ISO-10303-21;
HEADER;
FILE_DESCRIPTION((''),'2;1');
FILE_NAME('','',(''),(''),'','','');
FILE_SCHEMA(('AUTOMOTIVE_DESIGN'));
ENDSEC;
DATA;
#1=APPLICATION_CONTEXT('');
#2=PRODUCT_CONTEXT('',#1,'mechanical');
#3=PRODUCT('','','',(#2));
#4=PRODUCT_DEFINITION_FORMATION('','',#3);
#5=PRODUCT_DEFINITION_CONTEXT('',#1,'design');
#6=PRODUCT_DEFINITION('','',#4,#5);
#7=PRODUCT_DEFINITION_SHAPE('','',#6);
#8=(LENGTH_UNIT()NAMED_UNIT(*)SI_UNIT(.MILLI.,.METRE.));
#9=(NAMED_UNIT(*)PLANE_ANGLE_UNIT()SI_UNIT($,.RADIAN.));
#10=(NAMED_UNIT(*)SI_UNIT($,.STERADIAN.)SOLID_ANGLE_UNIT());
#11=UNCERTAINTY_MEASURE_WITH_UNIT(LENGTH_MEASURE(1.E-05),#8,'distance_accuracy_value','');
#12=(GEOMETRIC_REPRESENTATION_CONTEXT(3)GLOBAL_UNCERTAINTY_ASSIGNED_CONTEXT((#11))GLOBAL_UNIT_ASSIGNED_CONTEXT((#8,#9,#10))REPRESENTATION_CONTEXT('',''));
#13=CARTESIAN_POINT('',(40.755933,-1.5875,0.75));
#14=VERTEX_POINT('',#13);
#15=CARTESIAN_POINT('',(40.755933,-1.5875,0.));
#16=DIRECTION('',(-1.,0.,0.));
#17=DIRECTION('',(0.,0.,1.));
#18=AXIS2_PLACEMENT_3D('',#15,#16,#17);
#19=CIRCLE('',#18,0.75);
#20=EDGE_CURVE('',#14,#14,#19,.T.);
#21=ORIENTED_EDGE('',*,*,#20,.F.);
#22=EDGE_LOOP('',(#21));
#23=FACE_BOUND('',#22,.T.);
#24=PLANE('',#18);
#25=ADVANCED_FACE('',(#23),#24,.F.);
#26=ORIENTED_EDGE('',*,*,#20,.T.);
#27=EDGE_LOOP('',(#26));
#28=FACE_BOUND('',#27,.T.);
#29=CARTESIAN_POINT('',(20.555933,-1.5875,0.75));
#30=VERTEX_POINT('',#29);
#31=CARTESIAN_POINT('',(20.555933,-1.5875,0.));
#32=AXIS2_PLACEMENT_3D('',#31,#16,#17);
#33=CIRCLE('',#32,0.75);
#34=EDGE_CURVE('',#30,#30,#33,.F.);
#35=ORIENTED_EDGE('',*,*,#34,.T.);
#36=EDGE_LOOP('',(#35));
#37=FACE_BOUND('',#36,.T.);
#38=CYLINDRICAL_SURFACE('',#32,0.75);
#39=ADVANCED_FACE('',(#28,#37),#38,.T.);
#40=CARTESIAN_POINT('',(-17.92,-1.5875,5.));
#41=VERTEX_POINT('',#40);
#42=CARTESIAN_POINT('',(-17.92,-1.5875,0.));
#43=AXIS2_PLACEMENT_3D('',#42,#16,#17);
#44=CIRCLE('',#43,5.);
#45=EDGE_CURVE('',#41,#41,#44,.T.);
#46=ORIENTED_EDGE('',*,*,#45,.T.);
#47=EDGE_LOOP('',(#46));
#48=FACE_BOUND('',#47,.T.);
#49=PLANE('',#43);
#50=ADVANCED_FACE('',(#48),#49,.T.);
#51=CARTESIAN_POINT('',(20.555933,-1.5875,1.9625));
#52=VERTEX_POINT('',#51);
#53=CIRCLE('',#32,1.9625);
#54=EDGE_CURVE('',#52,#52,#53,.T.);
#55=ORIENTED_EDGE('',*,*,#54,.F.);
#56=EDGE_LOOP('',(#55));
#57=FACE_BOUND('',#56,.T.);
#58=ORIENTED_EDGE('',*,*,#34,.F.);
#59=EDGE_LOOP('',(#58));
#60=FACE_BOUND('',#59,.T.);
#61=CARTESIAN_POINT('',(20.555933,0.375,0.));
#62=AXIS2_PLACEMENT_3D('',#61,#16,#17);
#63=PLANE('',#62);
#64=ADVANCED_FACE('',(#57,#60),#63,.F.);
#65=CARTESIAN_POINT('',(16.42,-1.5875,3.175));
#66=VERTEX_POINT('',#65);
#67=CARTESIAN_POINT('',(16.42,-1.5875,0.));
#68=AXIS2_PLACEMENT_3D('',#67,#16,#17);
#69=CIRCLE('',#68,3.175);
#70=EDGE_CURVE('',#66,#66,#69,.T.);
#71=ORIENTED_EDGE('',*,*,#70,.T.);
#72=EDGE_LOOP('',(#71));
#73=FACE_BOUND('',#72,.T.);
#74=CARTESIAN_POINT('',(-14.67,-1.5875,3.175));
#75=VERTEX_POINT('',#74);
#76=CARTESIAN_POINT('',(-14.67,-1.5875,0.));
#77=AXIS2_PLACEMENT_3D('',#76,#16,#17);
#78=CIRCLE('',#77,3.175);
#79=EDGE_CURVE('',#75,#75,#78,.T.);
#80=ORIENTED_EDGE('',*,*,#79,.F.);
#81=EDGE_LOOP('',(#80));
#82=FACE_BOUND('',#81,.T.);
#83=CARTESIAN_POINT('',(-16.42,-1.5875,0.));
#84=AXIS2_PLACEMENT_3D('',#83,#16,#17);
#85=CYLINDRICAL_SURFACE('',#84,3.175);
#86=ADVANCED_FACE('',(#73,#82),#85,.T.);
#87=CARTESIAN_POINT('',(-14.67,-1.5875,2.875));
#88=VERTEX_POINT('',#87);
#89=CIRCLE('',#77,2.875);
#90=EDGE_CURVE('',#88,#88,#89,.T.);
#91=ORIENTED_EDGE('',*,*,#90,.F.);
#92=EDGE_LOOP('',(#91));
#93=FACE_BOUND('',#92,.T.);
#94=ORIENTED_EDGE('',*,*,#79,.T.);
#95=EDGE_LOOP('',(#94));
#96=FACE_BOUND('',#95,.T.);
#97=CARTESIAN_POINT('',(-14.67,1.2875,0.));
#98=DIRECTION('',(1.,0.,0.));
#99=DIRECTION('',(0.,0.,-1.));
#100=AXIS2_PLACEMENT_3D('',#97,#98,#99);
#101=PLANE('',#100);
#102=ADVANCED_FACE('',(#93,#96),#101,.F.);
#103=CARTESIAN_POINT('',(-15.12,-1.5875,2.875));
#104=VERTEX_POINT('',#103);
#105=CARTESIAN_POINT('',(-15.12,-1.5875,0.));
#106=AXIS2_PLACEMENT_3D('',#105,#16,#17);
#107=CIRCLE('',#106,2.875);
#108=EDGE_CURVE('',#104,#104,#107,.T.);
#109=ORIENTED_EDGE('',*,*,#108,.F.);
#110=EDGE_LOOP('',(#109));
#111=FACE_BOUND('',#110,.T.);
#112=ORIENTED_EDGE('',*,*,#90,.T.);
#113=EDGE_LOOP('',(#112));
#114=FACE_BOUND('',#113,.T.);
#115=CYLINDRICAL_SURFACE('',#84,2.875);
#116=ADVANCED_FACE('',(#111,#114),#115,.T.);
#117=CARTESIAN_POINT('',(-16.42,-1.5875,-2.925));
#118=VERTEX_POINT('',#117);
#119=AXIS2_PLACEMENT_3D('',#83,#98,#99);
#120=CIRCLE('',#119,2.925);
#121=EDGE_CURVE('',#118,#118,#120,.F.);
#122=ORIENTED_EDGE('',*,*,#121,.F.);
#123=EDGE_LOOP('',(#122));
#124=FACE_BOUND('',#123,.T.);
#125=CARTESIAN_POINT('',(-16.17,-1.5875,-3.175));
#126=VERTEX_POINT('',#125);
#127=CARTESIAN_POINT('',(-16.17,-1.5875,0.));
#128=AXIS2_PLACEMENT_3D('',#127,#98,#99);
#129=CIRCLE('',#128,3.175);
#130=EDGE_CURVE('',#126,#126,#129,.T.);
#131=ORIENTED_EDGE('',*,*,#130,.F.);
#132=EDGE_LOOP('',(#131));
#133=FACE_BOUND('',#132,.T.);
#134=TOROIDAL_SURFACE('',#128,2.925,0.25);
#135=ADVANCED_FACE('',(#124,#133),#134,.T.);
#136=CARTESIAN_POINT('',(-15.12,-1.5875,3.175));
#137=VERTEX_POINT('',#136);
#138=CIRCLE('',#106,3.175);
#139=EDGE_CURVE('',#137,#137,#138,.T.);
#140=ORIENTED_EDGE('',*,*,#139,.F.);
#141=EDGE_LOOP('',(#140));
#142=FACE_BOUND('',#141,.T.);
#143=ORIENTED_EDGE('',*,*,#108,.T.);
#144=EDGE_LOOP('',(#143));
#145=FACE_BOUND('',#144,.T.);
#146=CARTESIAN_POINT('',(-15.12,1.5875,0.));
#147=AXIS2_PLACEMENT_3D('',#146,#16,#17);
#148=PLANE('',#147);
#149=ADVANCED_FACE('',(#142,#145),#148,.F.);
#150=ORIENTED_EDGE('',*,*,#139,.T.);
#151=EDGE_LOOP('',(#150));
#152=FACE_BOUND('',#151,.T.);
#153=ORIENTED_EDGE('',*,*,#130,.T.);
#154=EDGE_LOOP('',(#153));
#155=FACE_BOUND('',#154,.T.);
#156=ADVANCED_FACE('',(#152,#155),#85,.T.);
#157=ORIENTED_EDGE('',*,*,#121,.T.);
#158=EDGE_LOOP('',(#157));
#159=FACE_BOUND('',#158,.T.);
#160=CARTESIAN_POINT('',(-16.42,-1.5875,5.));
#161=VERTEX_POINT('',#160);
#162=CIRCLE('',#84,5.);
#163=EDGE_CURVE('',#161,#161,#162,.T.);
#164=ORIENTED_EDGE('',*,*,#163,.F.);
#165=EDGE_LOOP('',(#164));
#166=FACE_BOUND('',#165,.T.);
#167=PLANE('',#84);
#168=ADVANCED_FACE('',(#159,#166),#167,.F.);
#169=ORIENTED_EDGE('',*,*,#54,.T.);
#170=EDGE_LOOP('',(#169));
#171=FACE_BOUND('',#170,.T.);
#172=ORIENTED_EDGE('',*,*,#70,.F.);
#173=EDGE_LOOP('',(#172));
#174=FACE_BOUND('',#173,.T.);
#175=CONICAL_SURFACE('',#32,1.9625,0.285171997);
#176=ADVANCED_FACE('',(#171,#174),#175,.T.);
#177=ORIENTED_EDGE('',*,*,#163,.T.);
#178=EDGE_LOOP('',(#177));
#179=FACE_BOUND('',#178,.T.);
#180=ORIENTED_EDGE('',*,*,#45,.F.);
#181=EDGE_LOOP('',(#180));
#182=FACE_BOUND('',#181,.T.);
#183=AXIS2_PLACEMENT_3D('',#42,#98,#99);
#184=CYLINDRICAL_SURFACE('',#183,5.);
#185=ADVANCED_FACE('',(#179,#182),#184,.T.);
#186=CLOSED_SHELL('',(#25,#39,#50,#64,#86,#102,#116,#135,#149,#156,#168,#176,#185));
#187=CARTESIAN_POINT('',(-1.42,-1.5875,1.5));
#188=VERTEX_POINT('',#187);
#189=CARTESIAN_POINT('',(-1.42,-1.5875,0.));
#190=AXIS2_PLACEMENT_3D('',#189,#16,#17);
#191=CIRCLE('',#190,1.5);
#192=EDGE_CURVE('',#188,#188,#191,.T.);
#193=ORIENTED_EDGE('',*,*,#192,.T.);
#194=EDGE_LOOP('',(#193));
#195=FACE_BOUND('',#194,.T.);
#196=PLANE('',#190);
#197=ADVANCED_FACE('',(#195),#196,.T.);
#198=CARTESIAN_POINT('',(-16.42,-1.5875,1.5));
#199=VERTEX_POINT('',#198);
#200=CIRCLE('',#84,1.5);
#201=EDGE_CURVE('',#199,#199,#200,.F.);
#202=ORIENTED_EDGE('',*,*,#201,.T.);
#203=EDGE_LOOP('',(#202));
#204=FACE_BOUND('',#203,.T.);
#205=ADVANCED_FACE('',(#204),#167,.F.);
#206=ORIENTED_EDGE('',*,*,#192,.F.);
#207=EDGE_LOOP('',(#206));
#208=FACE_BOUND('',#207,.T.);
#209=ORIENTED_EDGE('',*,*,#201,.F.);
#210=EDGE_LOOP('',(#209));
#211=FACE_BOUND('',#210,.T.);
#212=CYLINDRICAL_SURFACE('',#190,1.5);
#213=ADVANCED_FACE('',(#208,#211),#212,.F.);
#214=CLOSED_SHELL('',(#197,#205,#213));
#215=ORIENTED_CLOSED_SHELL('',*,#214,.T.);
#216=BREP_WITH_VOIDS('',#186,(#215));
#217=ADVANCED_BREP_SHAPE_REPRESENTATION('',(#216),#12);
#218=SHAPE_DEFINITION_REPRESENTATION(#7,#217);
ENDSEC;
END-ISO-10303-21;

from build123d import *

# Parameters (mm, degrees)
FILLET1_R           = 0.25
SKETCH2_W           = 20.2
SKETCH2_H           = 0.75
SKETCH3_R           = 1.2125
BOSS_EXTRUDE1_DEPTH = 10
SKETCH4_R           = 1.5
CUT_EXTRUDE1_DEPTH  = 15
SKETCH6_R           = 5
BOSS_EXTRUDE2_DEPTH = 1.5


with BuildPart() as part:
    # Sketch1 → Revolve1 (revolve)
    with BuildSketch(Plane.XY):
        Polygon((16.42, 1.5875), (20.555933238, 0.375), (20.555933238, -0.375), (16.42, -1.5875), (-16.42, -1.5875), (-16.42, 1.5875), (-15.12, 1.5875), (-15.12, 1.2875), (-14.67, 1.2875), (-14.67, 1.5875), align=None)
    revolve(axis=Axis((-16.42, -1.5875, 0), (1, 0, 0)))

    # Fillet1
    fillet1_edges = [part.edges().sort_by_distance(p)[0] for p in [
        (-16.42, -4.7625, 0),
    ]]
    fillet(fillet1_edges, radius=FILLET1_R)



with BuildPart() as body_2:
    # Sketch2 → Revolve2 (revolve)
    with BuildSketch(Plane.XY):
        with Locations((30.655933238, -1.2125)):
            Rectangle(SKETCH2_W, SKETCH2_H)
    revolve(axis=Axis((20.555933238, -1.5875, 0), (1, 0, 0)))


with BuildPart() as part_1:
    add(part.part)

    add(body_2.part)  # Boss-Extrude1 merges body 2
    # Sketch3 → Boss-Extrude1 (add)
    with BuildSketch(Plane(origin=(20.555933238, 0, 0), x_dir=(0, 0, -1), z_dir=(1, 0, 0))):
        with Locations((0, -1.5875)):
            Circle(SKETCH3_R)
    extrude(amount=-BOSS_EXTRUDE1_DEPTH)

    # Sketch4 → Cut-Extrude1 (cut)
    with BuildSketch(Plane.ZY.offset(16.42)):
        with Locations((0, -1.5875)):
            Circle(SKETCH4_R)
    extrude(amount=-CUT_EXTRUDE1_DEPTH, mode=Mode.SUBTRACT)

    # Sketch6 → Boss-Extrude2 (add)
    with BuildSketch(Plane.ZY.offset(16.42)):
        with Locations((0, -1.5875)):
            Circle(SKETCH6_R)
    extrude(amount=BOSS_EXTRUDE2_DEPTH)


solid = part_1.part
